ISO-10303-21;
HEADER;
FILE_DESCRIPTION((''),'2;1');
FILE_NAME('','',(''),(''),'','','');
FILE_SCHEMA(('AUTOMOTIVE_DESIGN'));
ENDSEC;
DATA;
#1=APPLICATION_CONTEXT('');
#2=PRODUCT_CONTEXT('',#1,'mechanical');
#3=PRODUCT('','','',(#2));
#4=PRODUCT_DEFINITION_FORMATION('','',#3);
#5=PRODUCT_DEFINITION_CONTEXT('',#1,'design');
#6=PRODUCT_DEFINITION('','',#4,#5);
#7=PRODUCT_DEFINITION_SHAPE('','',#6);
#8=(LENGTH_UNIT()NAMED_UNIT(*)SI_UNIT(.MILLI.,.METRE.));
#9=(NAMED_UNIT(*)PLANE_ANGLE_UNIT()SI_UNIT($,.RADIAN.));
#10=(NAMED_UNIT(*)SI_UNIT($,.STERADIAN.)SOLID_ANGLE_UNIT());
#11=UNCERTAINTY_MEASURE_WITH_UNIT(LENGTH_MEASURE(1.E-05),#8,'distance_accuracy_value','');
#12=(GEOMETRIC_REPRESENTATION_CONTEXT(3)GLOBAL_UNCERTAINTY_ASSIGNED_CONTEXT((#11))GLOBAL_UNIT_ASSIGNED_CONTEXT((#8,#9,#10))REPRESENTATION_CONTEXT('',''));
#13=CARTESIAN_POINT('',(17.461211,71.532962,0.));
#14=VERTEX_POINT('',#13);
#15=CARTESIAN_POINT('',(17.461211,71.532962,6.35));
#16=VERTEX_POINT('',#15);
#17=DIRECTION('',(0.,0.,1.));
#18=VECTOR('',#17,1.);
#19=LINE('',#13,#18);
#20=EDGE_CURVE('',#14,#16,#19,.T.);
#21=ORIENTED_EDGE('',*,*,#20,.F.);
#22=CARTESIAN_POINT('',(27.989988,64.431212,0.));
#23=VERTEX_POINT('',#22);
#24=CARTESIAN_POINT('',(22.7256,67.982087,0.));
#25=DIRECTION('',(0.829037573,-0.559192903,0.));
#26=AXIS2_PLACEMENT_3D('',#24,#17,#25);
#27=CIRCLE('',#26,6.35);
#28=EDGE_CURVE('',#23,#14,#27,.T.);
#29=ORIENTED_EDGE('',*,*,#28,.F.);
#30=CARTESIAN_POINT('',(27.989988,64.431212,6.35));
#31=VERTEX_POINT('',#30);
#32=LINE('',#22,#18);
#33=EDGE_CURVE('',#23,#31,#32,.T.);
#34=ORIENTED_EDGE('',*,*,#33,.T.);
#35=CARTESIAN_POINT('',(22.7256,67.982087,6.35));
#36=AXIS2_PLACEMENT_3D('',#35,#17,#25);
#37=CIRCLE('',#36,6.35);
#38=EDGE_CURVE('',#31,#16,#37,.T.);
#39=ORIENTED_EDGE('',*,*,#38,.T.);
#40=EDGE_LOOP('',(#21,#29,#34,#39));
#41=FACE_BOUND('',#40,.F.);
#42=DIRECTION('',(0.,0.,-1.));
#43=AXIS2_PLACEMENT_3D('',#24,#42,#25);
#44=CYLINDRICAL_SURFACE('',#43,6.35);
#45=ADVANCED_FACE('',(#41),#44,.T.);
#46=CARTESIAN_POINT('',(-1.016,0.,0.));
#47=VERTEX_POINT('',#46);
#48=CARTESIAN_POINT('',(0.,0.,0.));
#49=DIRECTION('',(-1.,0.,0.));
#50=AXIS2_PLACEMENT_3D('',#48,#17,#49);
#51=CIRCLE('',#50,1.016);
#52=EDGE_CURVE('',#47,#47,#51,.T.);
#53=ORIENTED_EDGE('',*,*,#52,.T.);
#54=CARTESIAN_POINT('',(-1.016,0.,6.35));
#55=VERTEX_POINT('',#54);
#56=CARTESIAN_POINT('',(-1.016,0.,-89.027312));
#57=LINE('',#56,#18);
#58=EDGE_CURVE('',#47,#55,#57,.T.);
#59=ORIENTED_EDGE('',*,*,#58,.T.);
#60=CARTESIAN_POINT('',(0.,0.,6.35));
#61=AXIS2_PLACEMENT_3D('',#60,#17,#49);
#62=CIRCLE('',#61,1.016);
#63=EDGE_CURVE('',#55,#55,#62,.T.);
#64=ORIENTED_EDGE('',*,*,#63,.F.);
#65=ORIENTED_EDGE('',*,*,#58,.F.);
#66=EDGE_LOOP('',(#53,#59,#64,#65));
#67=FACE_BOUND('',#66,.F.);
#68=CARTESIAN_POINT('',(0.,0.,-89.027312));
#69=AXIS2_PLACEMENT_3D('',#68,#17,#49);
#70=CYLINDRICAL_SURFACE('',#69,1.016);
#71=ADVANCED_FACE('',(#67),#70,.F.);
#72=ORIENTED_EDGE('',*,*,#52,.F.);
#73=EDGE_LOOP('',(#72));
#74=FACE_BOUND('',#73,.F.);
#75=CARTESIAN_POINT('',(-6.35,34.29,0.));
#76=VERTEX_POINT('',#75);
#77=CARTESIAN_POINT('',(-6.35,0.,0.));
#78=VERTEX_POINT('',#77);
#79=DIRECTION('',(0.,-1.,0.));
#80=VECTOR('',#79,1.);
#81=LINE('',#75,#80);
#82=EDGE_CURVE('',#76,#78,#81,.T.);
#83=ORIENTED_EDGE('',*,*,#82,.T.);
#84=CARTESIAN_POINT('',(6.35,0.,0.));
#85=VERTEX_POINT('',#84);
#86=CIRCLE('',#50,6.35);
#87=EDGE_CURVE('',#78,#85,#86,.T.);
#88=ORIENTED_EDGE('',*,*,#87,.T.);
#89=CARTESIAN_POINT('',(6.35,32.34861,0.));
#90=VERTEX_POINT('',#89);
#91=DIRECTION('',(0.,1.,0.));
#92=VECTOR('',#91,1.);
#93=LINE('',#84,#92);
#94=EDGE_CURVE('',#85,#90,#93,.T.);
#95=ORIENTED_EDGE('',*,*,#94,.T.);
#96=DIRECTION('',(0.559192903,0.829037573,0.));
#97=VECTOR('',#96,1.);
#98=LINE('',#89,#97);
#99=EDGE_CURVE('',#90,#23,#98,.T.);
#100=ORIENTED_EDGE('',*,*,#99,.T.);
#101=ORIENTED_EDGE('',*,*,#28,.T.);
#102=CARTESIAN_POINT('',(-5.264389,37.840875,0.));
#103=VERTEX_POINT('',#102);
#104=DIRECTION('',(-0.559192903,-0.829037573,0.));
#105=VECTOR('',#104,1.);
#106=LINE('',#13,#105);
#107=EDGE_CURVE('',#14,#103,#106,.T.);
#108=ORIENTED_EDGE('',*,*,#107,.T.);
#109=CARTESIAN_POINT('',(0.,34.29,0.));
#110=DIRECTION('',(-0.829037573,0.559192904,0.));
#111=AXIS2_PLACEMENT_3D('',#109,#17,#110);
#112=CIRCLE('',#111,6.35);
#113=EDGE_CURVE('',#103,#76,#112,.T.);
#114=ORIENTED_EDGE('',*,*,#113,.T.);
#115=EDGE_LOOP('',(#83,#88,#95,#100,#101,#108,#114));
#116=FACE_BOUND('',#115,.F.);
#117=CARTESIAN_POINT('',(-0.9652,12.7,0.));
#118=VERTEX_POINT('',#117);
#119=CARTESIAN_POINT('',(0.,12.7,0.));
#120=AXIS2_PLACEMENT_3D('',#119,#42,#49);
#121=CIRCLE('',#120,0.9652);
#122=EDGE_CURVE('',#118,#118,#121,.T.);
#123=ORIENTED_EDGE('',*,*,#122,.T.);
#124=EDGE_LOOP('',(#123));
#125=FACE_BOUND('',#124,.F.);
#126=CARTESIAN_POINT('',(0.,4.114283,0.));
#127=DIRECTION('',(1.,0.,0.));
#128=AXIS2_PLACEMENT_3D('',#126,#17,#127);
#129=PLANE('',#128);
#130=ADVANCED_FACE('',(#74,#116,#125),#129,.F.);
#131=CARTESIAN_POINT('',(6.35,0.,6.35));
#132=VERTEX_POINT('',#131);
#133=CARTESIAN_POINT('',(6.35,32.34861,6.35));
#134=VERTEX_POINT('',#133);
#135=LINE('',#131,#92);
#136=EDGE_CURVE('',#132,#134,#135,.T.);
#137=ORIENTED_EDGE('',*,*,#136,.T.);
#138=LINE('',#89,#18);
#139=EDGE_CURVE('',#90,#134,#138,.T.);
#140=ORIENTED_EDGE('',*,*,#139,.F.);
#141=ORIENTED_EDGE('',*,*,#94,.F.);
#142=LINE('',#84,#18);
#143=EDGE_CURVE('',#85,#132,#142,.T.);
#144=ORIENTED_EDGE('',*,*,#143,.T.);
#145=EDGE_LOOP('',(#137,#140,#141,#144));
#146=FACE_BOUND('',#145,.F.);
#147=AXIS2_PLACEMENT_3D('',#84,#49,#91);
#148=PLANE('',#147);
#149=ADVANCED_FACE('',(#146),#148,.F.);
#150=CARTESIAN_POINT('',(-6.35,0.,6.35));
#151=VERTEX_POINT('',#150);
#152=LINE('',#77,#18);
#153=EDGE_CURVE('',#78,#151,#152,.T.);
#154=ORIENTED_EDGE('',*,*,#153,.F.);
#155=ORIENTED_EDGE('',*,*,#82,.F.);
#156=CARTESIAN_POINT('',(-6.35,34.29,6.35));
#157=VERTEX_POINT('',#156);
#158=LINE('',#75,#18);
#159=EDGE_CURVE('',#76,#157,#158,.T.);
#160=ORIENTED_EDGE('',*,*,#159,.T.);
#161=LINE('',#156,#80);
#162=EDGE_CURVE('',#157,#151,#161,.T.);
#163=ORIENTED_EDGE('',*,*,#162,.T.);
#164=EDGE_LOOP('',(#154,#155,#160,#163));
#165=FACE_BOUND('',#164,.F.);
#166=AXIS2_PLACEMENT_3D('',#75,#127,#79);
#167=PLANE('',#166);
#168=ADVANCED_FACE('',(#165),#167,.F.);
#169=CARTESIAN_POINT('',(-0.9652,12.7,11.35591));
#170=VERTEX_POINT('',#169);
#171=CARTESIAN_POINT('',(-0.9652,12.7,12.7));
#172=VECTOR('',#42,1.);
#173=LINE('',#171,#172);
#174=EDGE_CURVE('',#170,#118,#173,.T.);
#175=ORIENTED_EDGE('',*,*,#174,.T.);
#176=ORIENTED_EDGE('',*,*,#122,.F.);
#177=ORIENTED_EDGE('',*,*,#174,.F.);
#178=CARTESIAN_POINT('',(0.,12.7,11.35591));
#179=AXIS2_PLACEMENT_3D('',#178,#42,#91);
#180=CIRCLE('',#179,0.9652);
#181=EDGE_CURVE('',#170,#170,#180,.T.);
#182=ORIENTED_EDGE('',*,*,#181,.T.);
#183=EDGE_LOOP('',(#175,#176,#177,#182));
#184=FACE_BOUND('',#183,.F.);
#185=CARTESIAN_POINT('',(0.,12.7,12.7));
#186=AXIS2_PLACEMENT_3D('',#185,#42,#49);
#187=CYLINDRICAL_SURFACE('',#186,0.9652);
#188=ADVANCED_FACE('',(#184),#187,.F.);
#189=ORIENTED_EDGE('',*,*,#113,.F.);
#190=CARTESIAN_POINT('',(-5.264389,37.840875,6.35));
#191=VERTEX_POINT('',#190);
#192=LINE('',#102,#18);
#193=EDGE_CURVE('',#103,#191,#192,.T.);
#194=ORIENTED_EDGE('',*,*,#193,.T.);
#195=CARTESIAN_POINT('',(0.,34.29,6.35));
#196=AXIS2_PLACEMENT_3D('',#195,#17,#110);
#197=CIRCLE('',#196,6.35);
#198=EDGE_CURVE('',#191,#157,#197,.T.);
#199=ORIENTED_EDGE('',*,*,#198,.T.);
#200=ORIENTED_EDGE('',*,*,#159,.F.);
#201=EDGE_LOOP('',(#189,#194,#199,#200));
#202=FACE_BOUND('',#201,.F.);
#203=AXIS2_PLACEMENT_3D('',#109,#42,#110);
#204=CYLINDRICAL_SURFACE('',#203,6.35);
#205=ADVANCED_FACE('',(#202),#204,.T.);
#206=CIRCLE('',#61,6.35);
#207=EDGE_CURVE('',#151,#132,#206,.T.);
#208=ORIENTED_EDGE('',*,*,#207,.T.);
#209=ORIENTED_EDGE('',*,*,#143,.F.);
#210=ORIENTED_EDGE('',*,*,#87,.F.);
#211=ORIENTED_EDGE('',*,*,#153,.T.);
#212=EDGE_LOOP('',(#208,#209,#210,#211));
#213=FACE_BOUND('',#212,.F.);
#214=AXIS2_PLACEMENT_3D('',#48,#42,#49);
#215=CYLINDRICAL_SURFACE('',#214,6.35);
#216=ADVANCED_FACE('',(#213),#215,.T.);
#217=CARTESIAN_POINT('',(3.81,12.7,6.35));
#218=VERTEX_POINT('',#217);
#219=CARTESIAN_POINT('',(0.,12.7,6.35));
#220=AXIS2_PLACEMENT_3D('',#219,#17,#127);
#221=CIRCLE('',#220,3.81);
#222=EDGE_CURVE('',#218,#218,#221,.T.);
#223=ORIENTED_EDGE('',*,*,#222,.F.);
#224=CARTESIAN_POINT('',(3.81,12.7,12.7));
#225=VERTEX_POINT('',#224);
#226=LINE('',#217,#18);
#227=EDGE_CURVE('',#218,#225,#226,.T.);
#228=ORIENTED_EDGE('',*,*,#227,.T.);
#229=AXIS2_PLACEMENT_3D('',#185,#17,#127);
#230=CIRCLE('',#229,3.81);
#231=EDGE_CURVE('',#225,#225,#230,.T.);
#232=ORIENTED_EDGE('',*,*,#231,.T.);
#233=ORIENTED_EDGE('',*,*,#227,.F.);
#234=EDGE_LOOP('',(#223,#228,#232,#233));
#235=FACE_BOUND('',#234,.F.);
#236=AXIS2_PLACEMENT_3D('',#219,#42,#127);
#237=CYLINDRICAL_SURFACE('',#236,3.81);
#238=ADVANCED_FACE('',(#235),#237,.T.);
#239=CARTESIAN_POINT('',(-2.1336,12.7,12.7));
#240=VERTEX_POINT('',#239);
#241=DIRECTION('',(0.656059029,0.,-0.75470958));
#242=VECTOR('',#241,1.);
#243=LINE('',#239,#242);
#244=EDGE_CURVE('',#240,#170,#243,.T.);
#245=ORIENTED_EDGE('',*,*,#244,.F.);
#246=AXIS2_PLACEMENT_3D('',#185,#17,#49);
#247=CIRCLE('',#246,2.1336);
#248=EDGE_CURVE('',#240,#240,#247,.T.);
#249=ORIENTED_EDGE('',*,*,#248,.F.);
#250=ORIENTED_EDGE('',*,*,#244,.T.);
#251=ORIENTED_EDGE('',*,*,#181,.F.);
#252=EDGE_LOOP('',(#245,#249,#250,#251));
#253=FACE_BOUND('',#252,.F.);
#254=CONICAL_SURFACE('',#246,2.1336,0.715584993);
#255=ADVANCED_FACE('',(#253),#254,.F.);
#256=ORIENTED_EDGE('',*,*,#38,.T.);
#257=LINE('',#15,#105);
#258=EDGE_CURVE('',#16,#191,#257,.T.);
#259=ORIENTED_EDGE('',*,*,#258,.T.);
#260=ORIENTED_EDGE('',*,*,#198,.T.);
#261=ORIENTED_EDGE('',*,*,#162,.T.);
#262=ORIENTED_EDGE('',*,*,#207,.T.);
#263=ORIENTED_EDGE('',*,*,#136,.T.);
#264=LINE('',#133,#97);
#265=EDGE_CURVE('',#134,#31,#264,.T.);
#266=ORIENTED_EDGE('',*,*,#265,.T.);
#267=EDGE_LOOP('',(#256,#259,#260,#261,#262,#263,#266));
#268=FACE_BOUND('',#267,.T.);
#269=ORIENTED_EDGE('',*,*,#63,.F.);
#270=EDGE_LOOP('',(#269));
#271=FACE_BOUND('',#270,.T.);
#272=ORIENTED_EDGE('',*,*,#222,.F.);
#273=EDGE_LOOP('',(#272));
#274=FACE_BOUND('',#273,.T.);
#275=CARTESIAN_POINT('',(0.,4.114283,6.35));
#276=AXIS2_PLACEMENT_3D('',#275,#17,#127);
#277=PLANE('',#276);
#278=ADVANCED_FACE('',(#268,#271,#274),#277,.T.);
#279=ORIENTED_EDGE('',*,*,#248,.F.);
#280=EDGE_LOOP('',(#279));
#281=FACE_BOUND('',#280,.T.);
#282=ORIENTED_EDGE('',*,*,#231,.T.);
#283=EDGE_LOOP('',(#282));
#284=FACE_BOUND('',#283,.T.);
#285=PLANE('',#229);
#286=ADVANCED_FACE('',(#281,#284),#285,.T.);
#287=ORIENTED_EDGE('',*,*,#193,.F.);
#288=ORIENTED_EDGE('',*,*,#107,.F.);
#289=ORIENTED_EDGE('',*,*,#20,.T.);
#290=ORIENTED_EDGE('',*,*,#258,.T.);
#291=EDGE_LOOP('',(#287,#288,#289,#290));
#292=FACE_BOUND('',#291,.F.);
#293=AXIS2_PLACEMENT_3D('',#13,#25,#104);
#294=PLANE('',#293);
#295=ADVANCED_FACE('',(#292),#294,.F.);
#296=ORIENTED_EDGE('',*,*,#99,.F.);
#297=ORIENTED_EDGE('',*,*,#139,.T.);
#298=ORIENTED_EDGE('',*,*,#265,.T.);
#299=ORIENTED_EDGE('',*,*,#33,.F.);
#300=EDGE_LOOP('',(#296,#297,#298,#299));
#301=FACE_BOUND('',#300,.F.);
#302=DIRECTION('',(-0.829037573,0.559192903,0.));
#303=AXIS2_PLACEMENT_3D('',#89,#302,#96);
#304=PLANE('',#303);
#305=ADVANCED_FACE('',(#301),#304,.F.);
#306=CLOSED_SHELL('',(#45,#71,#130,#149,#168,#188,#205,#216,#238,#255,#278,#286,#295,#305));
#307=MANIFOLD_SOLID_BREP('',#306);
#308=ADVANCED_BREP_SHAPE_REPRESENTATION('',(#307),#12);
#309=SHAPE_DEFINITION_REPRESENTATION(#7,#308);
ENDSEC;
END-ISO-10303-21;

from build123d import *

# Parameters (mm, degrees)
F1_DEPTH       = 6.35
F2_R           = 3.81
F3_DEPTH       = 6.35
F5_D           = 1.9304
F5_CSINK_D     = 4.2672
F5_CSINK_ANGLE = 82
F6_D           = 2.032


with BuildPart() as f1:
    # F0 (on Top) → F1 (new body)
    with BuildSketch(Plane.XY):
        with BuildLine():
            ThreePointArc((6.35, 12.7), (4.4901280605, 8.2098719395), (0, 6.35))
            ThreePointArc((0, 6.35), (-4.4901280605, 8.2098719395), (-6.35, 12.7))
            Line((-6.35, 12.7), (-6.35, 0))
            ThreePointArc((-6.35, 0), (0, -6.35), (6.35, 0))
            Line((6.35, 0), (6.35, 12.7))
        make_face()
        with BuildLine():
            Line((0, 6.35), (0, 12.7))
            Line((0, 12.7), (0, 19.05))
            ThreePointArc((0, 19.05), (-4.4901280605, 17.1901280605), (-6.35, 12.7))
            ThreePointArc((-6.35, 12.7), (-4.4901280605, 8.2098719395), (0, 6.35))
        make_face()
        with BuildLine():
            Line((0, 19.05), (0, 12.7))
            Line((0, 12.7), (0, 6.35))
            ThreePointArc((0, 6.35), (4.4901280605, 8.2098719395), (6.35, 12.7))
            ThreePointArc((6.35, 12.7), (4.4901280605, 17.1901280605), (0, 19.05))
        make_face()
        with BuildLine():
            Line((0, 27.94), (0, 19.05))
            ThreePointArc((0, 19.05), (4.4901280605, 17.1901280605), (6.35, 12.7))
            Line((6.35, 12.7), (6.35, 32.3486101727))
            Line((6.35, 32.3486101727), (5.2643885857, 30.739125063))
            ThreePointArc((5.2643885857, 30.739125063), (2.9811444237, 28.6832827853), (0, 27.94))
        make_face()
        with BuildLine():
            ThreePointArc((-6.35, 12.7), (-4.4901280605, 17.1901280605), (0, 19.05))
            Line((0, 19.05), (0, 27.94))
            ThreePointArc((0, 27.94), (-4.4901280605, 29.7998719395), (-6.35, 34.29))
            Line((-6.35, 34.29), (-6.35, 12.7))
        make_face()
        with BuildLine():
            ThreePointArc((-6.35, 34.29), (-4.4901280605, 29.7998719395), (0, 27.94))
            Line((0, 27.94), (0, 34.29))
            Line((0, 34.29), (3.550874937, 39.5543885857))
            ThreePointArc((3.550874937, 39.5543885857), (-1.2116371206, 40.5233326149), (-5.2643885857, 37.840874937))
            ThreePointArc((-5.2643885857, 37.840874937), (-6.0725352004, 36.146560325), (-6.35, 34.29))
        make_face()
        with BuildLine():
            Line((6.35, 34.29), (6.35, 32.3486101727))
            Line((6.35, 32.3486101727), (27.9899881828, 64.4312120116))
            ThreePointArc((27.9899881828, 64.4312120116), (26.2764745341, 73.2464755344), (17.4612110113, 71.5329618857))
            Line((17.4612110113, 71.5329618857), (-5.2643885857, 37.840874937))
            ThreePointArc((-5.2643885857, 37.840874937), (-1.2116371206, 40.5233326149), (3.550874937, 39.5543885857))
            ThreePointArc((3.550874937, 39.5543885857), (5.6067172147, 37.2711444237), (6.35, 34.29))
        make_face()
        with BuildLine():
            Line((0, 34.29), (0, 27.94))
            ThreePointArc((0, 27.94), (2.9811444237, 28.6832827853), (5.2643885857, 30.739125063))
            Line((5.2643885857, 30.739125063), (6.35, 32.3486101727))
            Line((6.35, 32.3486101727), (6.35, 34.29))
            ThreePointArc((6.35, 34.29), (5.6067172147, 37.2711444237), (3.550874937, 39.5543885857))
            Line((3.550874937, 39.5543885857), (0, 34.29))
        make_face()
    extrude(amount=F1_DEPTH)

    # F2 (on face) → F3 (join)
    with BuildSketch(Plane.XY.offset(6.35)):
        with Locations((0, 12.7)):
            Circle(F2_R)
    extrude(amount=F3_DEPTH)

    # F5 (through all)
    with Locations(Plane.XY.offset(12.7)):
        with Locations((0, 12.7)):
            CounterSinkHole(F5_D / 2, F5_CSINK_D / 2, counter_sink_angle=F5_CSINK_ANGLE)

    # F6 (through all)
    with Locations(Plane(origin=(0, 0, 0), x_dir=(1, 0, 0), z_dir=(0, 0, -1))):
        with Locations((0, 0)):
            Hole(F6_D / 2)


solid = f1.part
